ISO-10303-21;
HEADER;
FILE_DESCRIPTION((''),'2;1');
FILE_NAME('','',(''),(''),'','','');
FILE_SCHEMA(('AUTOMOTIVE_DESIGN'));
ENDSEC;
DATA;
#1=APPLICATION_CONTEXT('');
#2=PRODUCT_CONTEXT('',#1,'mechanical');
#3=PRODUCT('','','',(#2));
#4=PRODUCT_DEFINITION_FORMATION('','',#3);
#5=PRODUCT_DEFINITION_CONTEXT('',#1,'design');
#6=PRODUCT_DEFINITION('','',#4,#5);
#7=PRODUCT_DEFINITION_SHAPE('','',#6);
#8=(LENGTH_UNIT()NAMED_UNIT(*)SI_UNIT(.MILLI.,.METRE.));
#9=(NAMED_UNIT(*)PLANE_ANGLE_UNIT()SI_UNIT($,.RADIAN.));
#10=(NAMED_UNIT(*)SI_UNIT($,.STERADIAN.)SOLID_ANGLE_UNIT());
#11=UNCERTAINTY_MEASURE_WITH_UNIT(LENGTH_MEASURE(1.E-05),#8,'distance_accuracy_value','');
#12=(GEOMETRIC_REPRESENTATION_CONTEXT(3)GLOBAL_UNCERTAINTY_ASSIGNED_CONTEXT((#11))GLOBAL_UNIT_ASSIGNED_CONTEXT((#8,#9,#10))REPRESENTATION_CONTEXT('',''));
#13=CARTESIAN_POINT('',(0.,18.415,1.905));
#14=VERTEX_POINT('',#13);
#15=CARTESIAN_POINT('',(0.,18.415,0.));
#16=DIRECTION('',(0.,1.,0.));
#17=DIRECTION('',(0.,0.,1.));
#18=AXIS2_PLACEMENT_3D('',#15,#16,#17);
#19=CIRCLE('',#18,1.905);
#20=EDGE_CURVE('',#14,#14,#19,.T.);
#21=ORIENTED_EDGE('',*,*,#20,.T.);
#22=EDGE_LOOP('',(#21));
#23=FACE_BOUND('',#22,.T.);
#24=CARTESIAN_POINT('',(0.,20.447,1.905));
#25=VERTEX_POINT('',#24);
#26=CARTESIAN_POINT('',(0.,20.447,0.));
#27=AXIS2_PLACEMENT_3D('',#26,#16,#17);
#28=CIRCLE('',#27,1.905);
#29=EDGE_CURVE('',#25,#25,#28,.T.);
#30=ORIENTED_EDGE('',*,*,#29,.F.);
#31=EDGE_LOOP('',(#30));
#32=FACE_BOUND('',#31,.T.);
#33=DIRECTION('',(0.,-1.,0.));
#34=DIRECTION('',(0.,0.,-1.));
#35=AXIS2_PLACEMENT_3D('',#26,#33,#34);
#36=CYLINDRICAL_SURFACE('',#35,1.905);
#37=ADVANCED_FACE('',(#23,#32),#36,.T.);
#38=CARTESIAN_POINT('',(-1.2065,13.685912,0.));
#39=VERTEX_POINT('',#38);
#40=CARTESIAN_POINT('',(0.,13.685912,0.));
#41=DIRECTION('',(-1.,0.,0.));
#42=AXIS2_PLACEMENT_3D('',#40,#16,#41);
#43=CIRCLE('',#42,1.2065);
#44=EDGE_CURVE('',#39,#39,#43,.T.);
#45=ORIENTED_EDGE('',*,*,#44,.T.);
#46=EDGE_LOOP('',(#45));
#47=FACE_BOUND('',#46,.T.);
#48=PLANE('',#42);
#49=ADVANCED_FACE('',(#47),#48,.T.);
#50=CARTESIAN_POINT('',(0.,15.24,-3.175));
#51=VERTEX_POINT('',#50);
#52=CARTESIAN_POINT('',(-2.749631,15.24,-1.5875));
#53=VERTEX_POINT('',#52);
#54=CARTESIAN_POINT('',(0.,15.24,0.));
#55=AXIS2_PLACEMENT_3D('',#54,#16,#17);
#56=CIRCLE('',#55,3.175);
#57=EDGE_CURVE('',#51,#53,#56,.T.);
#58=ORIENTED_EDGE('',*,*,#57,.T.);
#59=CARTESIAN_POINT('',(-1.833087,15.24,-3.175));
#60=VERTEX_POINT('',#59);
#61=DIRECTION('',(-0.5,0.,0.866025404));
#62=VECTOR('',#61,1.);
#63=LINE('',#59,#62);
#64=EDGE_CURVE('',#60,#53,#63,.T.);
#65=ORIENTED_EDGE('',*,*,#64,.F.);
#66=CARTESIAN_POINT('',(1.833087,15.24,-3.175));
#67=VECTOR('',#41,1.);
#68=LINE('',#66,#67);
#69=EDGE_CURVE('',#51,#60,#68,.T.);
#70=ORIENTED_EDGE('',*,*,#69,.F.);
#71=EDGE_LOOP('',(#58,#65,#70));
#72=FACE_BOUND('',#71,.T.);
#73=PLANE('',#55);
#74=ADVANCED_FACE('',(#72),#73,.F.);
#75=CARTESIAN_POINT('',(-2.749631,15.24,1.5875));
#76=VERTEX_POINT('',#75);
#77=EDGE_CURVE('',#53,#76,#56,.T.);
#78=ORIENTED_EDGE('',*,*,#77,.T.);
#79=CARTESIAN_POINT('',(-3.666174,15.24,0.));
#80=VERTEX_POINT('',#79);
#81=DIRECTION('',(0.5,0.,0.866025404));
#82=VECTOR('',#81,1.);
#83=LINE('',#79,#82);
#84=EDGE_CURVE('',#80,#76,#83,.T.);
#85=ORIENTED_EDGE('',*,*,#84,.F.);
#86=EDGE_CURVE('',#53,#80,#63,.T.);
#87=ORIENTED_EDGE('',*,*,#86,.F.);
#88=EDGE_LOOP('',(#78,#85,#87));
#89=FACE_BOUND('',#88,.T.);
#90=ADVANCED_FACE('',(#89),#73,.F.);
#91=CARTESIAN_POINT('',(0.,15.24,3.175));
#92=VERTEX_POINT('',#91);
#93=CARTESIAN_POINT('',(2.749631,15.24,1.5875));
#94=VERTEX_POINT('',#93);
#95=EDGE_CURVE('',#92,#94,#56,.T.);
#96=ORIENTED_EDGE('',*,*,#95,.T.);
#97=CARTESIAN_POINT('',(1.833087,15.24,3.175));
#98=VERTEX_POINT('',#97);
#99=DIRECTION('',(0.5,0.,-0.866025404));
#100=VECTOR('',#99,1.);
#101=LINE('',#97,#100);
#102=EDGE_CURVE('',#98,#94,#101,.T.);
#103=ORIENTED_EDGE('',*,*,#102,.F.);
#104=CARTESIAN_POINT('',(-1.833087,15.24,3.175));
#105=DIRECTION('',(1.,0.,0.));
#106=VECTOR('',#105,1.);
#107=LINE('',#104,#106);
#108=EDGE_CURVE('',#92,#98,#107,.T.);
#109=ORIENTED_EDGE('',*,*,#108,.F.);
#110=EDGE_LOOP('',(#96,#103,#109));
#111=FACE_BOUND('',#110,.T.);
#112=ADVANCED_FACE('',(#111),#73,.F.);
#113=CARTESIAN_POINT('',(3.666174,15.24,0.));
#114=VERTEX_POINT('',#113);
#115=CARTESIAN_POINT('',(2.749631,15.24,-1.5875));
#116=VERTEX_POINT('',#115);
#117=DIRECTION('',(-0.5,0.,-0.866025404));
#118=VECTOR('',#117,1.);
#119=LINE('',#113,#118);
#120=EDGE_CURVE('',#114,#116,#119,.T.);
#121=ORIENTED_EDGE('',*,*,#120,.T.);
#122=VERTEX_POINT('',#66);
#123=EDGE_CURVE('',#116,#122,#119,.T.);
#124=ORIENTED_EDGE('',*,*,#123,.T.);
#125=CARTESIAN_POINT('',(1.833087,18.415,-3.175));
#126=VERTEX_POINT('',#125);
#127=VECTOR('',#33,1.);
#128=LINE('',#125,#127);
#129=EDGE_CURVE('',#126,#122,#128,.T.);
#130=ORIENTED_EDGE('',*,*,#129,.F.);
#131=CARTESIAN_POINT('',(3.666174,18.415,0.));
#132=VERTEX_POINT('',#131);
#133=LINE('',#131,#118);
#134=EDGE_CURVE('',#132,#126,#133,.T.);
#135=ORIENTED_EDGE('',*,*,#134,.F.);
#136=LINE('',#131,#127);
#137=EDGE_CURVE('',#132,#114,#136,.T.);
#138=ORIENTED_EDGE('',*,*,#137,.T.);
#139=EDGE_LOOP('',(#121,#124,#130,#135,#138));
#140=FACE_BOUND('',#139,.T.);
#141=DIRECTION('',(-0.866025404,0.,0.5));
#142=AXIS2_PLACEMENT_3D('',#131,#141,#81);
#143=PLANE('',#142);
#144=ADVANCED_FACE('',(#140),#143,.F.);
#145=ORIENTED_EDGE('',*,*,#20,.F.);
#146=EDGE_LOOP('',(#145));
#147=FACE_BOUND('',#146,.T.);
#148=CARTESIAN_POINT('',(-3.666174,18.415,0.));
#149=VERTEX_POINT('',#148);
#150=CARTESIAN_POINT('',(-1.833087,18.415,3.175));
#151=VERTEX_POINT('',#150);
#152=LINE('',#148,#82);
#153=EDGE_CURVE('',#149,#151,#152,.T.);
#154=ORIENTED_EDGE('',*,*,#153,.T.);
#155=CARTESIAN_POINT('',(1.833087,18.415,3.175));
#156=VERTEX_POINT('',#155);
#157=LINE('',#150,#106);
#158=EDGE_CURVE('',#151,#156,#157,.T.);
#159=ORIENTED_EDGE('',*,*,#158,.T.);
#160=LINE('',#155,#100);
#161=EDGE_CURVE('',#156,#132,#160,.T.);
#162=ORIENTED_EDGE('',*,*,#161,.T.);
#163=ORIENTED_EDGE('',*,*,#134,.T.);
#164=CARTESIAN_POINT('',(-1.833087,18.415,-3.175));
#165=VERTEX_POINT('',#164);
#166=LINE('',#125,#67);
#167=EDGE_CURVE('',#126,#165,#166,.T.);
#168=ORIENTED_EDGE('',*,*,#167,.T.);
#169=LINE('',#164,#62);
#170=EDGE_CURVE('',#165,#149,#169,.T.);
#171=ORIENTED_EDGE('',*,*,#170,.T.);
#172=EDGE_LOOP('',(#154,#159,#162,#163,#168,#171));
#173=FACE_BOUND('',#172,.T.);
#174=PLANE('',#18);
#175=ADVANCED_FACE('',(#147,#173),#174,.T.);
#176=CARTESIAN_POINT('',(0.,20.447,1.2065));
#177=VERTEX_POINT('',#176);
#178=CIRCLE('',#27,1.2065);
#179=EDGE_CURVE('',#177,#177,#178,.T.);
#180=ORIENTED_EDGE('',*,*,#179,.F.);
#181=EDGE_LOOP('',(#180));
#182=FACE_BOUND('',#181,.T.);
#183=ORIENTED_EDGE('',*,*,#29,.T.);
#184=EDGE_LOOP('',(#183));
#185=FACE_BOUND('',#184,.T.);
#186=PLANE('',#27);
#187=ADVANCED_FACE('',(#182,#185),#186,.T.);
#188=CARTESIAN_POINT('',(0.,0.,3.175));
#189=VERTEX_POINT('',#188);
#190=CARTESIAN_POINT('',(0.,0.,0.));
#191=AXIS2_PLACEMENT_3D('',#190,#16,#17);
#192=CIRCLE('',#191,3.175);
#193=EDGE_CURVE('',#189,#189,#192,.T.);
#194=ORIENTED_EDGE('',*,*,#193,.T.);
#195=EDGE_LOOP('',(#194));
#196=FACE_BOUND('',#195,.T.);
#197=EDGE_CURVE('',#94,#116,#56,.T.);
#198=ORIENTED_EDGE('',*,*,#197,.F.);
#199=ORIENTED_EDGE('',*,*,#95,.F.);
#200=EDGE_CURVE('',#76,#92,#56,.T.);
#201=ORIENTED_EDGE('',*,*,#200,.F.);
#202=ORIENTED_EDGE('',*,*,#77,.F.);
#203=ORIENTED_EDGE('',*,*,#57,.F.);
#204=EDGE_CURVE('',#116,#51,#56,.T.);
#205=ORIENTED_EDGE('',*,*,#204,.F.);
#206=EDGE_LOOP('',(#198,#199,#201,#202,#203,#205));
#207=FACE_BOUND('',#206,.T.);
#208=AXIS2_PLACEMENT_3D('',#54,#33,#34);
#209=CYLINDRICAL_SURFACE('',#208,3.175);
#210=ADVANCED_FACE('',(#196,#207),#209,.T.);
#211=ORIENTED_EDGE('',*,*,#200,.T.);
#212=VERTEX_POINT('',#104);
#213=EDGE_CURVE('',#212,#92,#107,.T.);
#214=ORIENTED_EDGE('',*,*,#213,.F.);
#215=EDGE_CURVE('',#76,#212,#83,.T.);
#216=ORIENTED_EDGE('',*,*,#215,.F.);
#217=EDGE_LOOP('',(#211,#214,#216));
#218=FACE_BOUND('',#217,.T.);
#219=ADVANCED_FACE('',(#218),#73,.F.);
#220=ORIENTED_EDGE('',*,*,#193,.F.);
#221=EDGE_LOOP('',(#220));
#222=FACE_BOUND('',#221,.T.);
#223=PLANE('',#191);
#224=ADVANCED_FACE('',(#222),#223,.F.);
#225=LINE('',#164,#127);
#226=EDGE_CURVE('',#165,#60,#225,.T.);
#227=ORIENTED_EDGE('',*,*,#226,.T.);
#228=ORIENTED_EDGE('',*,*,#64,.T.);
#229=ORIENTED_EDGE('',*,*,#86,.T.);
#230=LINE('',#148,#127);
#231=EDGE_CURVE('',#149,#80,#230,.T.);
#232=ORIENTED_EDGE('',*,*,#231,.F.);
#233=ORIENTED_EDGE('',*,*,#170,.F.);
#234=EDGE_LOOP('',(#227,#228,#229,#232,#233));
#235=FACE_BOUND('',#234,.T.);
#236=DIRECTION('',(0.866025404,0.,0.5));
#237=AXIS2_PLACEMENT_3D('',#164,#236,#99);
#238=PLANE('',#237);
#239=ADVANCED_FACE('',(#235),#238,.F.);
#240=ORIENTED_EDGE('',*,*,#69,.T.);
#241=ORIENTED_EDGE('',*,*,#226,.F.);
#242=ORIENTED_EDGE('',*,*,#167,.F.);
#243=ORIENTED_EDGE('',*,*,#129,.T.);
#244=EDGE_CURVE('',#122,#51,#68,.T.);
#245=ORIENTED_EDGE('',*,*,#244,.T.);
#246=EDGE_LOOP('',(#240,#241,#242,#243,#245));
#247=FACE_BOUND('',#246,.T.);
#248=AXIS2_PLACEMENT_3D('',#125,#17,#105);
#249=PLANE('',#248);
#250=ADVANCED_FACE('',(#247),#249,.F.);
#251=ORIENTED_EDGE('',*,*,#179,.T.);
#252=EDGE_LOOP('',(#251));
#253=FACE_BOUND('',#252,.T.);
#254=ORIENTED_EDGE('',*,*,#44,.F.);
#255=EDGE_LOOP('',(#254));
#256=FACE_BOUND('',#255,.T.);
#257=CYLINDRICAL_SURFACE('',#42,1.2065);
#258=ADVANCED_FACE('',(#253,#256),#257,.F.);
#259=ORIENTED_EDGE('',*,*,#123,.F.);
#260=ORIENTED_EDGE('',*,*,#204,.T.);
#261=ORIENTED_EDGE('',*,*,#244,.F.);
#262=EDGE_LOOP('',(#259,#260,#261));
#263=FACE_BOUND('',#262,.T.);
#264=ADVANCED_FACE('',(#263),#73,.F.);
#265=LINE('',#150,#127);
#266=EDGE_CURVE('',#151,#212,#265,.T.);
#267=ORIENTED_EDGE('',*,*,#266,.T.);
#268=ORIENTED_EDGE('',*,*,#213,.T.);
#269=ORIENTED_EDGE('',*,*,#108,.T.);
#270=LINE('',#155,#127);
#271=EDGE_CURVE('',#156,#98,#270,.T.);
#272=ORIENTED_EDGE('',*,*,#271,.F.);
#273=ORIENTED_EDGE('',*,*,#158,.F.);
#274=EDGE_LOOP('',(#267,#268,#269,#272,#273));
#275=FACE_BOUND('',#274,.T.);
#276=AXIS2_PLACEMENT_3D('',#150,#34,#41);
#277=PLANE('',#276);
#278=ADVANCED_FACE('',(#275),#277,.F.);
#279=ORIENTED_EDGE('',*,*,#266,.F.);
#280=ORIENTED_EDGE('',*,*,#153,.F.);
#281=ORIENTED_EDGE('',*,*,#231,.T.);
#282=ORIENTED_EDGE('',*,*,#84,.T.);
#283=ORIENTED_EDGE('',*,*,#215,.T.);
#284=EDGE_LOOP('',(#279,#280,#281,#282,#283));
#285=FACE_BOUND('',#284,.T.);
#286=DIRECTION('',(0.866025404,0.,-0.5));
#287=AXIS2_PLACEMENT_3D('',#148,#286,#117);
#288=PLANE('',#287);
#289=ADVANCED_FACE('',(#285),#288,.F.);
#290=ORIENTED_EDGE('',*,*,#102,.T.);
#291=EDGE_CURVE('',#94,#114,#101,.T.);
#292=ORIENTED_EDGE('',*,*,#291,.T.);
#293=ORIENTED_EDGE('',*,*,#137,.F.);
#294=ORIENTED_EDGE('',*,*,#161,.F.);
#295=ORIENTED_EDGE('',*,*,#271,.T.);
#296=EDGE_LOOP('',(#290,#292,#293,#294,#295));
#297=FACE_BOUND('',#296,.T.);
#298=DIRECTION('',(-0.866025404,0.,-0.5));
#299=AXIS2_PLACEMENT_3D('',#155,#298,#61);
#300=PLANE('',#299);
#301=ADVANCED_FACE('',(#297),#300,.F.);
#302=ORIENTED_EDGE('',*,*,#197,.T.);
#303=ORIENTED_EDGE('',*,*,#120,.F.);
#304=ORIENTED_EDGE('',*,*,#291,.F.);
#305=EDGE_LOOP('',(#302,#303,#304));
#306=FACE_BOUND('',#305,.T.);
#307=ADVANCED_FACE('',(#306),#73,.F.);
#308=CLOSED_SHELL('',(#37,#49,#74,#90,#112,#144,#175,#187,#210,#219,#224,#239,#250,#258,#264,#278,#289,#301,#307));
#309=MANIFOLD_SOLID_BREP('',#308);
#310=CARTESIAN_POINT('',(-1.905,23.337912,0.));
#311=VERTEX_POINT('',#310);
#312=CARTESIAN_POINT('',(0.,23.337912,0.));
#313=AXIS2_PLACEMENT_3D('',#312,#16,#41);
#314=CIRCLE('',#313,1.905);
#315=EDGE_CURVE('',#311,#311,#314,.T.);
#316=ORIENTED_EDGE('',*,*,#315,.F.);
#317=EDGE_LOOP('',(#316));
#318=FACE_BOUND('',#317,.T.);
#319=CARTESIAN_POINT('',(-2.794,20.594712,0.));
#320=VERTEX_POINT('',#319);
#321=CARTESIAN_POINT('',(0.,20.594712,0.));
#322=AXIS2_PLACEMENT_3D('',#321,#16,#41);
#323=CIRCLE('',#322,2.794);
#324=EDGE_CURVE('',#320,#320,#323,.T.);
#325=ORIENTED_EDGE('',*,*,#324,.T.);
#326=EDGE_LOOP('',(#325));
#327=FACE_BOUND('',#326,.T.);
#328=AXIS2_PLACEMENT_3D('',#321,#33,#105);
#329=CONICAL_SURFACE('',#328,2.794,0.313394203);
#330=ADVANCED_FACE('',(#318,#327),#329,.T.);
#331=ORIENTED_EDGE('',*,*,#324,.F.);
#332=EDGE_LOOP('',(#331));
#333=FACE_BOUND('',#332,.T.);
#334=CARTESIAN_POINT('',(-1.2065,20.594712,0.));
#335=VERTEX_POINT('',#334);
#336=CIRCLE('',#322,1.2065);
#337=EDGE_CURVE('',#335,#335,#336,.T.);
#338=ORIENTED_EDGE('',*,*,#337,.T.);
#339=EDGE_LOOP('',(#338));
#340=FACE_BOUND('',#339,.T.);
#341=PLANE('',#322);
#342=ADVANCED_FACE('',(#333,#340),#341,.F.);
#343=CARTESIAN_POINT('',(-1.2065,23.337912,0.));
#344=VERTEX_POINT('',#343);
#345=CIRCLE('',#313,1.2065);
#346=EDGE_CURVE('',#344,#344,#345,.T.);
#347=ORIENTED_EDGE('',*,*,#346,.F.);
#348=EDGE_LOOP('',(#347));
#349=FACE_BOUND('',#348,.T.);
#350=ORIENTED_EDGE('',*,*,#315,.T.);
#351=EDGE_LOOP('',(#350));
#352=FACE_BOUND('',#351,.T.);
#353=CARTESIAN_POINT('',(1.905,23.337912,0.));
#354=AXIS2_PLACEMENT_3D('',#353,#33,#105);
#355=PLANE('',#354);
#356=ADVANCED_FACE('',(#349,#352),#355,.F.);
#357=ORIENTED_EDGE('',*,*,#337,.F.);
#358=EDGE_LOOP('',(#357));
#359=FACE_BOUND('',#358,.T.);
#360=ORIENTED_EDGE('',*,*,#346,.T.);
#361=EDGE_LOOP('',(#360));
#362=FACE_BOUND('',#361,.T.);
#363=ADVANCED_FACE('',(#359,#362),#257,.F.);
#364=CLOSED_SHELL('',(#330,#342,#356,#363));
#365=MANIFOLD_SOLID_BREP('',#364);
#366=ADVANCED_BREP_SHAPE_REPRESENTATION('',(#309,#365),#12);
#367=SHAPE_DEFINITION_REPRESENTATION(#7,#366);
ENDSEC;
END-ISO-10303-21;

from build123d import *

# Parameters (mm, degrees)
SKETCH1_R           = 3.175
BOSS_EXTRUDE1_DEPTH = 15.24
BOSS_EXTRUDE2_DEPTH = 3.175
SKETCH3_R           = 1.905
BOSS_EXTRUDE3_DEPTH = 2.032
SKETCH8_R           = 1.2065
CUT_EXTRUDE1_DEPTH  = 9.652


with BuildPart() as part:
    # Sketch1 → Boss-Extrude1 (new body)
    with BuildSketch(Plane(origin=(0, 0, 0), x_dir=(1, 0, 0), z_dir=(0, 1, 0))):
        with Locations(Location((0, 0, 0), (0, 0, 90))):
            Circle(SKETCH1_R)
    extrude(amount=BOSS_EXTRUDE1_DEPTH)

    # Sketch2 → Boss-Extrude2 (add)
    with BuildSketch(Plane(origin=(0, 15.24, 0), x_dir=(1, 0, 0), z_dir=(0, 1, 0))):
        Polygon((3.666174209, 0), (1.833087105, 3.175), (-1.833087105, 3.175), (-3.666174209, 0), (-1.833087105, -3.175), (1.833087105, -3.175), align=None)
    extrude(amount=BOSS_EXTRUDE2_DEPTH)

    # Sketch3 → Boss-Extrude3 (add)
    with BuildSketch(Plane(origin=(0, 18.415, 0), x_dir=(1, 0, 0), z_dir=(0, 1, 0))):
        with Locations(Location((0, 0, 0), (0, 0, 270))):
            Circle(SKETCH3_R)
    extrude(amount=BOSS_EXTRUDE3_DEPTH)


with BuildPart() as body_2:
    # Sketch7 → Revolve1 (revolve)
    with BuildSketch(Plane.XY, mode=Mode.PRIVATE) as revolve1_sk:
        Polygon((0, 20.594712364), (2.794, 20.594712364), (1.905, 23.337912364), (0, 23.337912364), align=None)
    revolve(revolve1_sk.sketch.rotate(Axis((0, 23.337912364, 0), (0, -1, 0)), 180), axis=Axis((0, 23.337912364, 0), (0, -1, 0)))


with BuildPart() as cut_extrude1_tool:
    # Sketch8 → Cut-Extrude1 (new body)
    with BuildSketch(Plane(origin=(0, 23.337912364, 0), x_dir=(1, 0, 0), z_dir=(0, 1, 0))):
        with Locations(Location((0, 0, 0), (0, 0, 180))):
            Circle(SKETCH8_R)
    extrude(amount=-CUT_EXTRUDE1_DEPTH)


with BuildPart() as part_1:
    add(part.part)

    # Cut-Extrude1: cut by cut_extrude1_tool
    add(cut_extrude1_tool.part, mode=Mode.SUBTRACT)


with BuildPart() as body_2_1:
    add(body_2.part)

    # Cut-Extrude1: cut by cut_extrude1_tool
    add(cut_extrude1_tool.part, mode=Mode.SUBTRACT)


solid = Compound([part_1.part, body_2_1.part])
